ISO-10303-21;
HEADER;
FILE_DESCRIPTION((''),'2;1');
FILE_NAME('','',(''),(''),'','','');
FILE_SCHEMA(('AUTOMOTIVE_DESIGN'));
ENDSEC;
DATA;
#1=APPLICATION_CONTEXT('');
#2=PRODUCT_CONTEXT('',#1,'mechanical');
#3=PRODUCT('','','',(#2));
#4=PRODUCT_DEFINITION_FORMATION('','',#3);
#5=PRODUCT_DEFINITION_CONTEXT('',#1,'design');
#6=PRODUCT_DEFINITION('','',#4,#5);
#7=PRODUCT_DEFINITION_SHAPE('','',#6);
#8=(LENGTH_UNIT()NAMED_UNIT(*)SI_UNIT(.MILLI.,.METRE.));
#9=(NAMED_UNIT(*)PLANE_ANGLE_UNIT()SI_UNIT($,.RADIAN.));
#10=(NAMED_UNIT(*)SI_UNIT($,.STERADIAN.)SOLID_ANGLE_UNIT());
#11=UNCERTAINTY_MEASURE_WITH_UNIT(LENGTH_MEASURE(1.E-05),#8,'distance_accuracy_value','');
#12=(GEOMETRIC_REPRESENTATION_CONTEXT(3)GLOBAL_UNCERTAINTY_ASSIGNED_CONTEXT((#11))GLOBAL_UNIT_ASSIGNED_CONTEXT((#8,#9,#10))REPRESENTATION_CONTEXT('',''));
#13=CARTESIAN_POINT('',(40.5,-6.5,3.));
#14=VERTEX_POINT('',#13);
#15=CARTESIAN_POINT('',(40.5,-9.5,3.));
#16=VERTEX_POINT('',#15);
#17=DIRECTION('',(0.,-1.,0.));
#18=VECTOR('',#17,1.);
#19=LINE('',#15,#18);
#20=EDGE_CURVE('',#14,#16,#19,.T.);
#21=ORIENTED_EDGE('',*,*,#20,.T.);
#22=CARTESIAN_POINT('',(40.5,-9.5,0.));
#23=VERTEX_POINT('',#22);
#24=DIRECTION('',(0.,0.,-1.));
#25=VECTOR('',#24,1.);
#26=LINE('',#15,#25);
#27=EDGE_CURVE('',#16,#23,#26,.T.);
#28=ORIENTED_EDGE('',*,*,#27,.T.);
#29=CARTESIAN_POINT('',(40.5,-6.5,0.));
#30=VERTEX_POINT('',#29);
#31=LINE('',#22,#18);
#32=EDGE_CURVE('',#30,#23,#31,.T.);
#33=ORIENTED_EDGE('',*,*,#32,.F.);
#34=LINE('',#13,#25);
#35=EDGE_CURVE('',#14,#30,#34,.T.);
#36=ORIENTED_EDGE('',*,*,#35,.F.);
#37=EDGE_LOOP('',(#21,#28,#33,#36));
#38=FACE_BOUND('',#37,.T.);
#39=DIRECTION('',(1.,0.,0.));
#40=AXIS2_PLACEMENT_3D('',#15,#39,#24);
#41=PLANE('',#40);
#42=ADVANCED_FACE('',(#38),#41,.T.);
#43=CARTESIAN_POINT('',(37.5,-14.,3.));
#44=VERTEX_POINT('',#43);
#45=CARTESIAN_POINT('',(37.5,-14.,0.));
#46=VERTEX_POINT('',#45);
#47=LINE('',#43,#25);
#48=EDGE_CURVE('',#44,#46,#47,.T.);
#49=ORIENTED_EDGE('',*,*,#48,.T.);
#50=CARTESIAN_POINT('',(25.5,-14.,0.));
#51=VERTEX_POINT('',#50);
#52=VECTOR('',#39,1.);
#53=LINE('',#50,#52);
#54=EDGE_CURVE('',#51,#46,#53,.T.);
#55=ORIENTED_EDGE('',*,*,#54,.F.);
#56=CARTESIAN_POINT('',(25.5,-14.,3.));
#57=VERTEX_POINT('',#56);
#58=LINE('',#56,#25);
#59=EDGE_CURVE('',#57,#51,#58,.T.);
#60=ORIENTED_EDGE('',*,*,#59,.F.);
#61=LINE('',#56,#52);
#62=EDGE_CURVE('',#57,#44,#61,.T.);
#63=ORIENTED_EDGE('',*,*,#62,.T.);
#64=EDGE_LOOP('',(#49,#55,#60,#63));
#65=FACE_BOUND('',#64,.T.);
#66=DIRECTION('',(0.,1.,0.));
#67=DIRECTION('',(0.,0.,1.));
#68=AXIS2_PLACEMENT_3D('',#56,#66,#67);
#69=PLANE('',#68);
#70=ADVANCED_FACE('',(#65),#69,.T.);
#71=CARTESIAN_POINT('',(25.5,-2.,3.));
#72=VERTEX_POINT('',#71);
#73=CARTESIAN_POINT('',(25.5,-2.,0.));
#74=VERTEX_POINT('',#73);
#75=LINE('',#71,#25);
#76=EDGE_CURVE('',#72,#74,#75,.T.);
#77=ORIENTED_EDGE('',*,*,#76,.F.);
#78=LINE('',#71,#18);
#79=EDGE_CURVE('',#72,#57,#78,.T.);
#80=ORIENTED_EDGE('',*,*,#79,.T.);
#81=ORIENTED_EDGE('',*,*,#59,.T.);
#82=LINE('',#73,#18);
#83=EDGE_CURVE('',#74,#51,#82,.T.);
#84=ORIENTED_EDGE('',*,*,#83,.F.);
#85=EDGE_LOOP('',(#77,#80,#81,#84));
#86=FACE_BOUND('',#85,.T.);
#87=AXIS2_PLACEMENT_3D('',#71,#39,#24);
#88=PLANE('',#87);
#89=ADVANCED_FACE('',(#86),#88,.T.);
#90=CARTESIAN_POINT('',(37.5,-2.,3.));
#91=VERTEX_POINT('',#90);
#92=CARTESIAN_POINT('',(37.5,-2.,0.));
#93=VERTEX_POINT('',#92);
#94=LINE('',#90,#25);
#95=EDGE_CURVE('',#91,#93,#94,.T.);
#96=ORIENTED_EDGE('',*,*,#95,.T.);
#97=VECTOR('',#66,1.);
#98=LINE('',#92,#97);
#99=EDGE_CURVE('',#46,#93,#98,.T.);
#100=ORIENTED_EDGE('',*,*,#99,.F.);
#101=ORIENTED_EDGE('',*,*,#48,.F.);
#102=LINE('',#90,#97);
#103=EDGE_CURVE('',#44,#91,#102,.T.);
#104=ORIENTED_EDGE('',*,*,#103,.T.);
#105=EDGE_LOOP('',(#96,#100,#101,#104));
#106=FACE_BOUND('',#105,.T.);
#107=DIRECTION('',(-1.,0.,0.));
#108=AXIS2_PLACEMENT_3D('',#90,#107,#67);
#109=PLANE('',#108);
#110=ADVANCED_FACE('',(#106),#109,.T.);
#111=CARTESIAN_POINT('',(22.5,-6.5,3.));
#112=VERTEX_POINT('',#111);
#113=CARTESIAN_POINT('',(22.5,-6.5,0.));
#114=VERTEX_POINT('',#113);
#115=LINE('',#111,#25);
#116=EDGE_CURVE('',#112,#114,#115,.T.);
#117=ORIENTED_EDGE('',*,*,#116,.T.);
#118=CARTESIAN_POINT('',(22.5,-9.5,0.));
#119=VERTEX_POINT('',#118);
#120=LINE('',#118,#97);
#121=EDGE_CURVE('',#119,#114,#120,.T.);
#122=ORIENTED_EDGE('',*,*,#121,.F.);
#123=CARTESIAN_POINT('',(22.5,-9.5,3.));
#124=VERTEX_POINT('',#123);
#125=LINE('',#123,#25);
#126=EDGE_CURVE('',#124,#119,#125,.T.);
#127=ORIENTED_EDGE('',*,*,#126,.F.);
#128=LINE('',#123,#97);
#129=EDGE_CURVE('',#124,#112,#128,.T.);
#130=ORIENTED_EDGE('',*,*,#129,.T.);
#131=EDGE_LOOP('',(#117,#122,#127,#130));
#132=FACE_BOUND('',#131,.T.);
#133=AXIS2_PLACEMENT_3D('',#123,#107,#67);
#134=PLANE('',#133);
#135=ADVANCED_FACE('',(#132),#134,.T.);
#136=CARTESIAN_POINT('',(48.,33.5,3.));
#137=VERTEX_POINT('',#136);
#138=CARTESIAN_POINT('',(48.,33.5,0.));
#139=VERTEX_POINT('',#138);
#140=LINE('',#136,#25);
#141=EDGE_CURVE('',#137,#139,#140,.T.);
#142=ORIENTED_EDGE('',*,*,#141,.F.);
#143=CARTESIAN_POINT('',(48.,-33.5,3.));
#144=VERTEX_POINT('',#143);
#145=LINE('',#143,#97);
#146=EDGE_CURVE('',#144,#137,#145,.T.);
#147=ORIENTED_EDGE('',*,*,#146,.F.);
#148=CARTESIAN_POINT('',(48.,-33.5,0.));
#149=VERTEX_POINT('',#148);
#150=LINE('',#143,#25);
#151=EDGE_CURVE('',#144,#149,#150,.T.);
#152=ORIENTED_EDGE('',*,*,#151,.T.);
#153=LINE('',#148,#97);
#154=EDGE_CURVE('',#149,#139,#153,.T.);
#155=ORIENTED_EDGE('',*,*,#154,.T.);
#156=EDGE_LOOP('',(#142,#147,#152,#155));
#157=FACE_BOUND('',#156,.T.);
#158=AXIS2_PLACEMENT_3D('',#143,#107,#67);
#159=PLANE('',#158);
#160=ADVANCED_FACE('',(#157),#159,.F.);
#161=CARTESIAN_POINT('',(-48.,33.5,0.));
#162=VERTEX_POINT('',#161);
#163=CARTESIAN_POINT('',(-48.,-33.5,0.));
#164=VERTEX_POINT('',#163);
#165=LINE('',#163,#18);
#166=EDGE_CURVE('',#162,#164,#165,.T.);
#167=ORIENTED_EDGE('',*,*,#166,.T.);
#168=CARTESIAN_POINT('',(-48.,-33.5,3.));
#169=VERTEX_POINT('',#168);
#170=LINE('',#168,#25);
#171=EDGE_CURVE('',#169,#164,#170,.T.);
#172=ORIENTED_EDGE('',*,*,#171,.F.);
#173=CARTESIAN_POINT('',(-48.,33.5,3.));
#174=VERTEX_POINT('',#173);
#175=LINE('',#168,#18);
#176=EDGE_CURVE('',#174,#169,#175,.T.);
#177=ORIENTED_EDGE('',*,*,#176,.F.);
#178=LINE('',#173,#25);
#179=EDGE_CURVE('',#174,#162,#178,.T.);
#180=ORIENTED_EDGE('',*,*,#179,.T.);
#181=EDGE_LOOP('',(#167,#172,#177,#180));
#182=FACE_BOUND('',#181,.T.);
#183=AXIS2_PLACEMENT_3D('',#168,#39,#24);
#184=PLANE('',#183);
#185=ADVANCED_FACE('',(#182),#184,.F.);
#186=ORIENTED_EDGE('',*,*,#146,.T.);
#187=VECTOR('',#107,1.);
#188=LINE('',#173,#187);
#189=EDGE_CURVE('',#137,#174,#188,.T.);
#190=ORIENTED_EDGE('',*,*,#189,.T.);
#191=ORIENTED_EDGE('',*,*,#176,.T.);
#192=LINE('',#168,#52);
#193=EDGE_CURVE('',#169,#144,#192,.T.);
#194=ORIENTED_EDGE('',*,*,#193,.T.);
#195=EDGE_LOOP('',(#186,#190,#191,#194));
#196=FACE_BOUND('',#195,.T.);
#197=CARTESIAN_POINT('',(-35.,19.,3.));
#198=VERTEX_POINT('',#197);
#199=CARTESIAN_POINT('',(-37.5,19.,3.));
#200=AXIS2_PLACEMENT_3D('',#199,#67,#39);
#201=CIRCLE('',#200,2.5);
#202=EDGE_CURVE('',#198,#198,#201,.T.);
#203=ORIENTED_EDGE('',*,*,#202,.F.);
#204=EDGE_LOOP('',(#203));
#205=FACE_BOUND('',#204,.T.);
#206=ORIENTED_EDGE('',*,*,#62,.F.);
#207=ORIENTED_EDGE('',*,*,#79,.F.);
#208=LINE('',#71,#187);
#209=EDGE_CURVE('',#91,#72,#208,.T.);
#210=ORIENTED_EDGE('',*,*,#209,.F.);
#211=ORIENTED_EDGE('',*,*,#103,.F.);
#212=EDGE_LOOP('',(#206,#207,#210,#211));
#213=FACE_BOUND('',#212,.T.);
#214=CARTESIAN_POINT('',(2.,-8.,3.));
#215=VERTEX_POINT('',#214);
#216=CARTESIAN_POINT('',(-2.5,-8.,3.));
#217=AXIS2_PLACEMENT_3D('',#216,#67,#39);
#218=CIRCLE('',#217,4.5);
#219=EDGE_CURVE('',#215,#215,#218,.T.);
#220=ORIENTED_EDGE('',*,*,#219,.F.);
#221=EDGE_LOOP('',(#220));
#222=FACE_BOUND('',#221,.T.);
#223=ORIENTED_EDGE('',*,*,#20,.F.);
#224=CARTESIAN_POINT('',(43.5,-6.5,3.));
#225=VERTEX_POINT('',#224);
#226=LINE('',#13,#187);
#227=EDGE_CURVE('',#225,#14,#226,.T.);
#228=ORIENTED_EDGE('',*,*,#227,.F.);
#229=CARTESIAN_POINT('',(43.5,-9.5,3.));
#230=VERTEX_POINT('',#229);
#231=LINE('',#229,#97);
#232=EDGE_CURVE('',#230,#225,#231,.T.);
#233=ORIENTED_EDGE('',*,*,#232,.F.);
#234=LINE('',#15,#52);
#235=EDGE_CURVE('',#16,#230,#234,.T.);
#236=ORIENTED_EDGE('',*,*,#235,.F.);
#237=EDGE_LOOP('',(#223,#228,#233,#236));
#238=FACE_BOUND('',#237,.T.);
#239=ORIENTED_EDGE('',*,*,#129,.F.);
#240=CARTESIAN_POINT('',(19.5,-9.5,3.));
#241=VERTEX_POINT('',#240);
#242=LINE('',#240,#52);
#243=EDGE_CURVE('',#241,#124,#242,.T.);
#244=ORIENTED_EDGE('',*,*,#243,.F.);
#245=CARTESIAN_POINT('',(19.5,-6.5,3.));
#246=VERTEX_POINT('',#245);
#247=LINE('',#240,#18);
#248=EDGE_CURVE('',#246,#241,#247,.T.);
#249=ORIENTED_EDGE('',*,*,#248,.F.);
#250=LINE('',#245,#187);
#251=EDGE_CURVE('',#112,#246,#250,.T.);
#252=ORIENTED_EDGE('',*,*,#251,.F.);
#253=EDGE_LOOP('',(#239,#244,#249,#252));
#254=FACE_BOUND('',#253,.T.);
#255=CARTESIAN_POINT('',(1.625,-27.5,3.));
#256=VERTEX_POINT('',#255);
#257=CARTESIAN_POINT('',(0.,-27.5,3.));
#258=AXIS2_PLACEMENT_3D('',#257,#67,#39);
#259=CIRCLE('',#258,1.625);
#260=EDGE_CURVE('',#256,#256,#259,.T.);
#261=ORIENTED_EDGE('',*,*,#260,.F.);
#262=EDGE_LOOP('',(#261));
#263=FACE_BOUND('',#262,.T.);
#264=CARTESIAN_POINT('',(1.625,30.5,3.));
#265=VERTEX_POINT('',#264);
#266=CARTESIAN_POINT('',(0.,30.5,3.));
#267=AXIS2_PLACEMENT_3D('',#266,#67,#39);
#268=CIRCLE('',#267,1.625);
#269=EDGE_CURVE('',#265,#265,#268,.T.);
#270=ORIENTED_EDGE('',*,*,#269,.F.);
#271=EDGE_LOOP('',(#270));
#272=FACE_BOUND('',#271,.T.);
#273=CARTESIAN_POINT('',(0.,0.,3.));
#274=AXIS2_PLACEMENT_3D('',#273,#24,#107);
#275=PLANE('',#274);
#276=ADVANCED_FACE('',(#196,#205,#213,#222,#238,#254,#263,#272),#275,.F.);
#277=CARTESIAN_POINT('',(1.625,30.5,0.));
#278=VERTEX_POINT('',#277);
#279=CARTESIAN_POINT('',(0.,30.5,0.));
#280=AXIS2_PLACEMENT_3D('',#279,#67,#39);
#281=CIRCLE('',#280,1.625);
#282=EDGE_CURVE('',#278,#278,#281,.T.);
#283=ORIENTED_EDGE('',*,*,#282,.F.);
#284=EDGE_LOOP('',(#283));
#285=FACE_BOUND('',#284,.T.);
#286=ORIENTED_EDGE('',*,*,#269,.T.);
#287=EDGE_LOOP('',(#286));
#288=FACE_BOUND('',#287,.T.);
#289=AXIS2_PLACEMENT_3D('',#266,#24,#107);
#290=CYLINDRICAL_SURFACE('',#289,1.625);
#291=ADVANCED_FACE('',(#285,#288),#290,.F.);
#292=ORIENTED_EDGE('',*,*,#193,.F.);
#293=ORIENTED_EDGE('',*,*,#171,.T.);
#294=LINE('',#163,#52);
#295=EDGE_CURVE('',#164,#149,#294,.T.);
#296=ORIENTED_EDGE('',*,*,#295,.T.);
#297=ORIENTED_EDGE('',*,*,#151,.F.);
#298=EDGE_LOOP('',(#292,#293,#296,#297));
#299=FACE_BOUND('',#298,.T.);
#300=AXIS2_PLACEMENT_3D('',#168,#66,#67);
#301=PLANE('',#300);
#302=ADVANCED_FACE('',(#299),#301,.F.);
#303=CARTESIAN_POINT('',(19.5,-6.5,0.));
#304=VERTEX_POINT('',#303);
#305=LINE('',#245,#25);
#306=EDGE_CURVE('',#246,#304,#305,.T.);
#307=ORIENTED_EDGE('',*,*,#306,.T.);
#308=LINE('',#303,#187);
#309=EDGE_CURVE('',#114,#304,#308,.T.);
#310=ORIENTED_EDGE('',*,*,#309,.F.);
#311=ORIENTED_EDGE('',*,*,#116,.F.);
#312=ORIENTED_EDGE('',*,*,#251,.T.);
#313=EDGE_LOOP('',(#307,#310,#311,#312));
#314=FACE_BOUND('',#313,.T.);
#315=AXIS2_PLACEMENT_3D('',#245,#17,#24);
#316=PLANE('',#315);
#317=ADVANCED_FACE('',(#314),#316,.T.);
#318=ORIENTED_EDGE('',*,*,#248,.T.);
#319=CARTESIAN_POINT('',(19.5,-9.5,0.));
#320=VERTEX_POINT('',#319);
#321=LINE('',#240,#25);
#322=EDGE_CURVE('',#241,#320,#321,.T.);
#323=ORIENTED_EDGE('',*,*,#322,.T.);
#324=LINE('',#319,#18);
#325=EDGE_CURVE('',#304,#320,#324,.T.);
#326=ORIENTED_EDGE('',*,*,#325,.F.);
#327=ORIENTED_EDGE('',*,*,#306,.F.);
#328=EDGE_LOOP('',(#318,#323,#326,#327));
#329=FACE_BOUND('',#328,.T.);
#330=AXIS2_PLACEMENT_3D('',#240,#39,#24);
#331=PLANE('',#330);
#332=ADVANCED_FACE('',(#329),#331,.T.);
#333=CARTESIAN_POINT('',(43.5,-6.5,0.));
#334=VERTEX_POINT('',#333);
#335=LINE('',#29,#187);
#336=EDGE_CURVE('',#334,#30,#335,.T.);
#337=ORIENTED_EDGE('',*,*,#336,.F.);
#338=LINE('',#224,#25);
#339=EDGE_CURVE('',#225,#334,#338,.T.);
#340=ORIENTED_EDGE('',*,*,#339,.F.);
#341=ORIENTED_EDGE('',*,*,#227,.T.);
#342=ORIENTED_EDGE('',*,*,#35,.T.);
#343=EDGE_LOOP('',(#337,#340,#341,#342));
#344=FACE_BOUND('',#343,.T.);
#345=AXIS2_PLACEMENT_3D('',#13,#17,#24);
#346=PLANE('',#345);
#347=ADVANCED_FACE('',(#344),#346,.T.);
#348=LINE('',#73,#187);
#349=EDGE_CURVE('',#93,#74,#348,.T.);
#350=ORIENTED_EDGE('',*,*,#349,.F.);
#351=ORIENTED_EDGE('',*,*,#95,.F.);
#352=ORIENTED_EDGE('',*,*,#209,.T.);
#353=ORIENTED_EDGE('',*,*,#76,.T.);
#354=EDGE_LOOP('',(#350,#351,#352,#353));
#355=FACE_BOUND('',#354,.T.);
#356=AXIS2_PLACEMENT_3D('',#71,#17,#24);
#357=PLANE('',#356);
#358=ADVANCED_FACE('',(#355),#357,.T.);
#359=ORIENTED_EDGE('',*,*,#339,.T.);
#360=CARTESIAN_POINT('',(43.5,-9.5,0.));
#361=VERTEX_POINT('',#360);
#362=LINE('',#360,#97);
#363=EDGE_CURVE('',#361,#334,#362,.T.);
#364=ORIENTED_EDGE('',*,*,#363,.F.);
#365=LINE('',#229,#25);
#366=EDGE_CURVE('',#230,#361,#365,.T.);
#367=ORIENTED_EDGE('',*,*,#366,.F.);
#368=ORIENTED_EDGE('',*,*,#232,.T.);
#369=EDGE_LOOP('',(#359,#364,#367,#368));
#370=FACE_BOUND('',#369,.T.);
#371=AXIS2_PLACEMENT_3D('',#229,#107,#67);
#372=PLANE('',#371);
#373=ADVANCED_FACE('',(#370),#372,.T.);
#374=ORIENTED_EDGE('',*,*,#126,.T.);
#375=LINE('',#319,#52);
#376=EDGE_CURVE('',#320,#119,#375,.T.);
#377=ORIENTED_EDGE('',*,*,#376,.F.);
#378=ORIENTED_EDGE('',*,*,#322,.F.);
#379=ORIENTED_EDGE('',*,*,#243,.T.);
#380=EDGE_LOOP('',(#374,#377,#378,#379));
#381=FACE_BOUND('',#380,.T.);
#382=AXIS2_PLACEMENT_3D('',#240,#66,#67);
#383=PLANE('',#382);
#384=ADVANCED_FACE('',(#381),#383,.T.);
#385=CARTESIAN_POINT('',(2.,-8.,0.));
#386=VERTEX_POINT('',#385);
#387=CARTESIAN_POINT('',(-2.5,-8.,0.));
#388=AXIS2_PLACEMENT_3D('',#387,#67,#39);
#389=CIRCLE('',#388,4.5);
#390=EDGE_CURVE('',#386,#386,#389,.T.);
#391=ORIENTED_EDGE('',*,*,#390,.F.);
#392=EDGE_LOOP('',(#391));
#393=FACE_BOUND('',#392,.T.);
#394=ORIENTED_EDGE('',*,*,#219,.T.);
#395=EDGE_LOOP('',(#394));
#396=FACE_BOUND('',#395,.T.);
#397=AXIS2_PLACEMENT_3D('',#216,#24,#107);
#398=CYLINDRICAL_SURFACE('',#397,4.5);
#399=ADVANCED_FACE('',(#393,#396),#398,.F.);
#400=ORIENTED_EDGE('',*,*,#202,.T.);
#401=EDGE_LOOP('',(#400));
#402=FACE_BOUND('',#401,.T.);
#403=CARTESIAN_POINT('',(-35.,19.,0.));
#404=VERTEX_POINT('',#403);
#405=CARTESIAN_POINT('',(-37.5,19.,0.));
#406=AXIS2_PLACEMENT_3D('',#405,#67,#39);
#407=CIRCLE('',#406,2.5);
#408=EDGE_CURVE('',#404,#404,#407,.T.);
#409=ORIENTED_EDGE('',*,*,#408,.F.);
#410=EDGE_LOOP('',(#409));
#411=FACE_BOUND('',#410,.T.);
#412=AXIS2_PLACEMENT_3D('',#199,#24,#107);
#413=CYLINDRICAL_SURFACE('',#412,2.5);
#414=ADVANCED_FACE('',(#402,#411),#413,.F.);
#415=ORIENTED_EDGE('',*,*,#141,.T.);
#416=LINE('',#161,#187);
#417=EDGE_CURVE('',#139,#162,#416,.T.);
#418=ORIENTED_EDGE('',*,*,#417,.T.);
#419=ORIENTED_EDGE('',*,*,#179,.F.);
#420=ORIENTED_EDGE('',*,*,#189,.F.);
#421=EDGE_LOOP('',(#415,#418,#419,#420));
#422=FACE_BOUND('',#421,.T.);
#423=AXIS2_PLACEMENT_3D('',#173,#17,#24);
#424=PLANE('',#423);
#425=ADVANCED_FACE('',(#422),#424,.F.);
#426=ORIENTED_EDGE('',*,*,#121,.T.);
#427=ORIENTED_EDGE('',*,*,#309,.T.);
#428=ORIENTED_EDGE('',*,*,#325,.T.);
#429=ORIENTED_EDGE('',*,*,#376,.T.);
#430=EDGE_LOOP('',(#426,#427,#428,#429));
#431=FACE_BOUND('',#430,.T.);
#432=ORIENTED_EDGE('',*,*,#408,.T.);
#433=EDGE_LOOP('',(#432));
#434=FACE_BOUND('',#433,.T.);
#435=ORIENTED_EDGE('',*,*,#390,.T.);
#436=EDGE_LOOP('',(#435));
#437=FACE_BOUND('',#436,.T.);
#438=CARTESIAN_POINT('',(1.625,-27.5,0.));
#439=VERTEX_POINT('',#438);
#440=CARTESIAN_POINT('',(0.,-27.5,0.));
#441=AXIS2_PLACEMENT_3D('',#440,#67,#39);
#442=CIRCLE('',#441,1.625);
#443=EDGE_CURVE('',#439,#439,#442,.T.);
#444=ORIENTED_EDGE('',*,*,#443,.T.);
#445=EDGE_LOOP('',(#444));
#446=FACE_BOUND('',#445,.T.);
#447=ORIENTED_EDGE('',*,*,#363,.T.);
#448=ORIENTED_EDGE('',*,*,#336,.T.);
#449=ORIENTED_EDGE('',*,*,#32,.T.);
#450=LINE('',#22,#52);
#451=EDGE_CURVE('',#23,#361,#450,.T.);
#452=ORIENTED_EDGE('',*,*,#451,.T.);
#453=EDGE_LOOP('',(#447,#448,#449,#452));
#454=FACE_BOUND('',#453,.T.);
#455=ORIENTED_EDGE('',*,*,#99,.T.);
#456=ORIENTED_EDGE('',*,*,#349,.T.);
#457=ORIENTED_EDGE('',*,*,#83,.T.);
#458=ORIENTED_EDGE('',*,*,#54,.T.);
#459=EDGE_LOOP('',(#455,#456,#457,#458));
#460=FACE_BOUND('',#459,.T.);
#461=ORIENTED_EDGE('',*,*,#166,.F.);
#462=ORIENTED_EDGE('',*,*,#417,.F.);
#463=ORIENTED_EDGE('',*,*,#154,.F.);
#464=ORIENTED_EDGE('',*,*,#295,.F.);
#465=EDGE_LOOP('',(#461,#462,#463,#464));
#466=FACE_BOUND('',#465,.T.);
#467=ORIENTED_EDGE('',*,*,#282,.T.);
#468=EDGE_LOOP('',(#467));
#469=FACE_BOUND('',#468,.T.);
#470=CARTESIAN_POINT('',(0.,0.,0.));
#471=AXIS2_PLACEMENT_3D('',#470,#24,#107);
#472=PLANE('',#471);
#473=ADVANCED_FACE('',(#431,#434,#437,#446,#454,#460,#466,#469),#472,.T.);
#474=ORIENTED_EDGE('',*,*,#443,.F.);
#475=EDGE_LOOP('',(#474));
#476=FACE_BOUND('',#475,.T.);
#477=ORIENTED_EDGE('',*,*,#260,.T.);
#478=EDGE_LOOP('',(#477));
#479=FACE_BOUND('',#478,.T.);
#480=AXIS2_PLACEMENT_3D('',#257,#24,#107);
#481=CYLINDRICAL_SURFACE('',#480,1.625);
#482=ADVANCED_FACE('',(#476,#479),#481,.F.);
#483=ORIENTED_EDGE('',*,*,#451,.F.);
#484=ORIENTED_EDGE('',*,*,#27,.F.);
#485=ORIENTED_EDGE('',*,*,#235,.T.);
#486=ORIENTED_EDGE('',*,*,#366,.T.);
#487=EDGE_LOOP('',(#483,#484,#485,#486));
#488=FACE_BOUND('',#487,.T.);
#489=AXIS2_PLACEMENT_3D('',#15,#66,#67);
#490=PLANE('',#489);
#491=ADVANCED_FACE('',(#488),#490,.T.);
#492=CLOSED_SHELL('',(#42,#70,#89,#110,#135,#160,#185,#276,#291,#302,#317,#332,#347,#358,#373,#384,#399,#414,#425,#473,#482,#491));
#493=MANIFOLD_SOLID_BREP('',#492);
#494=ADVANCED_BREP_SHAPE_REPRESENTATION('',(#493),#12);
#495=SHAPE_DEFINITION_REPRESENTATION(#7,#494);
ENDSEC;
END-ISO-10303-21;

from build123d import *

# Parameters (mm, degrees)
CROQUIS1_W              = 96
CROQUIS1_H              = 67
SALIENTE_EXTRUIR1_DEPTH = 3
CROQUIS2_R              = 2.5
CROQUIS2_R_2            = 4.5
CROQUIS2_R_3            = 1.625
CROQUIS2_W              = 12
CROQUIS2_H              = 12
CROQUIS2_W_2            = 3
CROQUIS2_H_2            = 3
CORTAR_EXTRUIR1_DEPTH   = 59.611005792


with BuildPart() as part:
    # Croquis1 → Saliente-Extruir1 (new body)
    with BuildSketch(Plane.XY):
        Rectangle(CROQUIS1_W, CROQUIS1_H)
    extrude(amount=SALIENTE_EXTRUIR1_DEPTH)

    # Croquis2 → Cortar-Extruir1 (cut, through all)
    with BuildSketch(Plane.XY):
        with Locations((-37.5, 19)):
            Circle(CROQUIS2_R)
        with Locations((-2.5, -8)):
            Circle(CROQUIS2_R_2)
        with Locations((0, 30.5)):
            Circle(CROQUIS2_R_3)
        with Locations((0, -27.5)):
            Circle(CROQUIS2_R_3)
        with Locations((31.5, -8)):
            Rectangle(CROQUIS2_W, CROQUIS2_H)
        with Locations((21, -8)):
            Rectangle(CROQUIS2_W_2, CROQUIS2_H_2)
        with Locations((42, -8)):
            Rectangle(CROQUIS2_W_2, CROQUIS2_H_2)
    extrude(amount=CORTAR_EXTRUIR1_DEPTH, mode=Mode.SUBTRACT)


solid = part.part
